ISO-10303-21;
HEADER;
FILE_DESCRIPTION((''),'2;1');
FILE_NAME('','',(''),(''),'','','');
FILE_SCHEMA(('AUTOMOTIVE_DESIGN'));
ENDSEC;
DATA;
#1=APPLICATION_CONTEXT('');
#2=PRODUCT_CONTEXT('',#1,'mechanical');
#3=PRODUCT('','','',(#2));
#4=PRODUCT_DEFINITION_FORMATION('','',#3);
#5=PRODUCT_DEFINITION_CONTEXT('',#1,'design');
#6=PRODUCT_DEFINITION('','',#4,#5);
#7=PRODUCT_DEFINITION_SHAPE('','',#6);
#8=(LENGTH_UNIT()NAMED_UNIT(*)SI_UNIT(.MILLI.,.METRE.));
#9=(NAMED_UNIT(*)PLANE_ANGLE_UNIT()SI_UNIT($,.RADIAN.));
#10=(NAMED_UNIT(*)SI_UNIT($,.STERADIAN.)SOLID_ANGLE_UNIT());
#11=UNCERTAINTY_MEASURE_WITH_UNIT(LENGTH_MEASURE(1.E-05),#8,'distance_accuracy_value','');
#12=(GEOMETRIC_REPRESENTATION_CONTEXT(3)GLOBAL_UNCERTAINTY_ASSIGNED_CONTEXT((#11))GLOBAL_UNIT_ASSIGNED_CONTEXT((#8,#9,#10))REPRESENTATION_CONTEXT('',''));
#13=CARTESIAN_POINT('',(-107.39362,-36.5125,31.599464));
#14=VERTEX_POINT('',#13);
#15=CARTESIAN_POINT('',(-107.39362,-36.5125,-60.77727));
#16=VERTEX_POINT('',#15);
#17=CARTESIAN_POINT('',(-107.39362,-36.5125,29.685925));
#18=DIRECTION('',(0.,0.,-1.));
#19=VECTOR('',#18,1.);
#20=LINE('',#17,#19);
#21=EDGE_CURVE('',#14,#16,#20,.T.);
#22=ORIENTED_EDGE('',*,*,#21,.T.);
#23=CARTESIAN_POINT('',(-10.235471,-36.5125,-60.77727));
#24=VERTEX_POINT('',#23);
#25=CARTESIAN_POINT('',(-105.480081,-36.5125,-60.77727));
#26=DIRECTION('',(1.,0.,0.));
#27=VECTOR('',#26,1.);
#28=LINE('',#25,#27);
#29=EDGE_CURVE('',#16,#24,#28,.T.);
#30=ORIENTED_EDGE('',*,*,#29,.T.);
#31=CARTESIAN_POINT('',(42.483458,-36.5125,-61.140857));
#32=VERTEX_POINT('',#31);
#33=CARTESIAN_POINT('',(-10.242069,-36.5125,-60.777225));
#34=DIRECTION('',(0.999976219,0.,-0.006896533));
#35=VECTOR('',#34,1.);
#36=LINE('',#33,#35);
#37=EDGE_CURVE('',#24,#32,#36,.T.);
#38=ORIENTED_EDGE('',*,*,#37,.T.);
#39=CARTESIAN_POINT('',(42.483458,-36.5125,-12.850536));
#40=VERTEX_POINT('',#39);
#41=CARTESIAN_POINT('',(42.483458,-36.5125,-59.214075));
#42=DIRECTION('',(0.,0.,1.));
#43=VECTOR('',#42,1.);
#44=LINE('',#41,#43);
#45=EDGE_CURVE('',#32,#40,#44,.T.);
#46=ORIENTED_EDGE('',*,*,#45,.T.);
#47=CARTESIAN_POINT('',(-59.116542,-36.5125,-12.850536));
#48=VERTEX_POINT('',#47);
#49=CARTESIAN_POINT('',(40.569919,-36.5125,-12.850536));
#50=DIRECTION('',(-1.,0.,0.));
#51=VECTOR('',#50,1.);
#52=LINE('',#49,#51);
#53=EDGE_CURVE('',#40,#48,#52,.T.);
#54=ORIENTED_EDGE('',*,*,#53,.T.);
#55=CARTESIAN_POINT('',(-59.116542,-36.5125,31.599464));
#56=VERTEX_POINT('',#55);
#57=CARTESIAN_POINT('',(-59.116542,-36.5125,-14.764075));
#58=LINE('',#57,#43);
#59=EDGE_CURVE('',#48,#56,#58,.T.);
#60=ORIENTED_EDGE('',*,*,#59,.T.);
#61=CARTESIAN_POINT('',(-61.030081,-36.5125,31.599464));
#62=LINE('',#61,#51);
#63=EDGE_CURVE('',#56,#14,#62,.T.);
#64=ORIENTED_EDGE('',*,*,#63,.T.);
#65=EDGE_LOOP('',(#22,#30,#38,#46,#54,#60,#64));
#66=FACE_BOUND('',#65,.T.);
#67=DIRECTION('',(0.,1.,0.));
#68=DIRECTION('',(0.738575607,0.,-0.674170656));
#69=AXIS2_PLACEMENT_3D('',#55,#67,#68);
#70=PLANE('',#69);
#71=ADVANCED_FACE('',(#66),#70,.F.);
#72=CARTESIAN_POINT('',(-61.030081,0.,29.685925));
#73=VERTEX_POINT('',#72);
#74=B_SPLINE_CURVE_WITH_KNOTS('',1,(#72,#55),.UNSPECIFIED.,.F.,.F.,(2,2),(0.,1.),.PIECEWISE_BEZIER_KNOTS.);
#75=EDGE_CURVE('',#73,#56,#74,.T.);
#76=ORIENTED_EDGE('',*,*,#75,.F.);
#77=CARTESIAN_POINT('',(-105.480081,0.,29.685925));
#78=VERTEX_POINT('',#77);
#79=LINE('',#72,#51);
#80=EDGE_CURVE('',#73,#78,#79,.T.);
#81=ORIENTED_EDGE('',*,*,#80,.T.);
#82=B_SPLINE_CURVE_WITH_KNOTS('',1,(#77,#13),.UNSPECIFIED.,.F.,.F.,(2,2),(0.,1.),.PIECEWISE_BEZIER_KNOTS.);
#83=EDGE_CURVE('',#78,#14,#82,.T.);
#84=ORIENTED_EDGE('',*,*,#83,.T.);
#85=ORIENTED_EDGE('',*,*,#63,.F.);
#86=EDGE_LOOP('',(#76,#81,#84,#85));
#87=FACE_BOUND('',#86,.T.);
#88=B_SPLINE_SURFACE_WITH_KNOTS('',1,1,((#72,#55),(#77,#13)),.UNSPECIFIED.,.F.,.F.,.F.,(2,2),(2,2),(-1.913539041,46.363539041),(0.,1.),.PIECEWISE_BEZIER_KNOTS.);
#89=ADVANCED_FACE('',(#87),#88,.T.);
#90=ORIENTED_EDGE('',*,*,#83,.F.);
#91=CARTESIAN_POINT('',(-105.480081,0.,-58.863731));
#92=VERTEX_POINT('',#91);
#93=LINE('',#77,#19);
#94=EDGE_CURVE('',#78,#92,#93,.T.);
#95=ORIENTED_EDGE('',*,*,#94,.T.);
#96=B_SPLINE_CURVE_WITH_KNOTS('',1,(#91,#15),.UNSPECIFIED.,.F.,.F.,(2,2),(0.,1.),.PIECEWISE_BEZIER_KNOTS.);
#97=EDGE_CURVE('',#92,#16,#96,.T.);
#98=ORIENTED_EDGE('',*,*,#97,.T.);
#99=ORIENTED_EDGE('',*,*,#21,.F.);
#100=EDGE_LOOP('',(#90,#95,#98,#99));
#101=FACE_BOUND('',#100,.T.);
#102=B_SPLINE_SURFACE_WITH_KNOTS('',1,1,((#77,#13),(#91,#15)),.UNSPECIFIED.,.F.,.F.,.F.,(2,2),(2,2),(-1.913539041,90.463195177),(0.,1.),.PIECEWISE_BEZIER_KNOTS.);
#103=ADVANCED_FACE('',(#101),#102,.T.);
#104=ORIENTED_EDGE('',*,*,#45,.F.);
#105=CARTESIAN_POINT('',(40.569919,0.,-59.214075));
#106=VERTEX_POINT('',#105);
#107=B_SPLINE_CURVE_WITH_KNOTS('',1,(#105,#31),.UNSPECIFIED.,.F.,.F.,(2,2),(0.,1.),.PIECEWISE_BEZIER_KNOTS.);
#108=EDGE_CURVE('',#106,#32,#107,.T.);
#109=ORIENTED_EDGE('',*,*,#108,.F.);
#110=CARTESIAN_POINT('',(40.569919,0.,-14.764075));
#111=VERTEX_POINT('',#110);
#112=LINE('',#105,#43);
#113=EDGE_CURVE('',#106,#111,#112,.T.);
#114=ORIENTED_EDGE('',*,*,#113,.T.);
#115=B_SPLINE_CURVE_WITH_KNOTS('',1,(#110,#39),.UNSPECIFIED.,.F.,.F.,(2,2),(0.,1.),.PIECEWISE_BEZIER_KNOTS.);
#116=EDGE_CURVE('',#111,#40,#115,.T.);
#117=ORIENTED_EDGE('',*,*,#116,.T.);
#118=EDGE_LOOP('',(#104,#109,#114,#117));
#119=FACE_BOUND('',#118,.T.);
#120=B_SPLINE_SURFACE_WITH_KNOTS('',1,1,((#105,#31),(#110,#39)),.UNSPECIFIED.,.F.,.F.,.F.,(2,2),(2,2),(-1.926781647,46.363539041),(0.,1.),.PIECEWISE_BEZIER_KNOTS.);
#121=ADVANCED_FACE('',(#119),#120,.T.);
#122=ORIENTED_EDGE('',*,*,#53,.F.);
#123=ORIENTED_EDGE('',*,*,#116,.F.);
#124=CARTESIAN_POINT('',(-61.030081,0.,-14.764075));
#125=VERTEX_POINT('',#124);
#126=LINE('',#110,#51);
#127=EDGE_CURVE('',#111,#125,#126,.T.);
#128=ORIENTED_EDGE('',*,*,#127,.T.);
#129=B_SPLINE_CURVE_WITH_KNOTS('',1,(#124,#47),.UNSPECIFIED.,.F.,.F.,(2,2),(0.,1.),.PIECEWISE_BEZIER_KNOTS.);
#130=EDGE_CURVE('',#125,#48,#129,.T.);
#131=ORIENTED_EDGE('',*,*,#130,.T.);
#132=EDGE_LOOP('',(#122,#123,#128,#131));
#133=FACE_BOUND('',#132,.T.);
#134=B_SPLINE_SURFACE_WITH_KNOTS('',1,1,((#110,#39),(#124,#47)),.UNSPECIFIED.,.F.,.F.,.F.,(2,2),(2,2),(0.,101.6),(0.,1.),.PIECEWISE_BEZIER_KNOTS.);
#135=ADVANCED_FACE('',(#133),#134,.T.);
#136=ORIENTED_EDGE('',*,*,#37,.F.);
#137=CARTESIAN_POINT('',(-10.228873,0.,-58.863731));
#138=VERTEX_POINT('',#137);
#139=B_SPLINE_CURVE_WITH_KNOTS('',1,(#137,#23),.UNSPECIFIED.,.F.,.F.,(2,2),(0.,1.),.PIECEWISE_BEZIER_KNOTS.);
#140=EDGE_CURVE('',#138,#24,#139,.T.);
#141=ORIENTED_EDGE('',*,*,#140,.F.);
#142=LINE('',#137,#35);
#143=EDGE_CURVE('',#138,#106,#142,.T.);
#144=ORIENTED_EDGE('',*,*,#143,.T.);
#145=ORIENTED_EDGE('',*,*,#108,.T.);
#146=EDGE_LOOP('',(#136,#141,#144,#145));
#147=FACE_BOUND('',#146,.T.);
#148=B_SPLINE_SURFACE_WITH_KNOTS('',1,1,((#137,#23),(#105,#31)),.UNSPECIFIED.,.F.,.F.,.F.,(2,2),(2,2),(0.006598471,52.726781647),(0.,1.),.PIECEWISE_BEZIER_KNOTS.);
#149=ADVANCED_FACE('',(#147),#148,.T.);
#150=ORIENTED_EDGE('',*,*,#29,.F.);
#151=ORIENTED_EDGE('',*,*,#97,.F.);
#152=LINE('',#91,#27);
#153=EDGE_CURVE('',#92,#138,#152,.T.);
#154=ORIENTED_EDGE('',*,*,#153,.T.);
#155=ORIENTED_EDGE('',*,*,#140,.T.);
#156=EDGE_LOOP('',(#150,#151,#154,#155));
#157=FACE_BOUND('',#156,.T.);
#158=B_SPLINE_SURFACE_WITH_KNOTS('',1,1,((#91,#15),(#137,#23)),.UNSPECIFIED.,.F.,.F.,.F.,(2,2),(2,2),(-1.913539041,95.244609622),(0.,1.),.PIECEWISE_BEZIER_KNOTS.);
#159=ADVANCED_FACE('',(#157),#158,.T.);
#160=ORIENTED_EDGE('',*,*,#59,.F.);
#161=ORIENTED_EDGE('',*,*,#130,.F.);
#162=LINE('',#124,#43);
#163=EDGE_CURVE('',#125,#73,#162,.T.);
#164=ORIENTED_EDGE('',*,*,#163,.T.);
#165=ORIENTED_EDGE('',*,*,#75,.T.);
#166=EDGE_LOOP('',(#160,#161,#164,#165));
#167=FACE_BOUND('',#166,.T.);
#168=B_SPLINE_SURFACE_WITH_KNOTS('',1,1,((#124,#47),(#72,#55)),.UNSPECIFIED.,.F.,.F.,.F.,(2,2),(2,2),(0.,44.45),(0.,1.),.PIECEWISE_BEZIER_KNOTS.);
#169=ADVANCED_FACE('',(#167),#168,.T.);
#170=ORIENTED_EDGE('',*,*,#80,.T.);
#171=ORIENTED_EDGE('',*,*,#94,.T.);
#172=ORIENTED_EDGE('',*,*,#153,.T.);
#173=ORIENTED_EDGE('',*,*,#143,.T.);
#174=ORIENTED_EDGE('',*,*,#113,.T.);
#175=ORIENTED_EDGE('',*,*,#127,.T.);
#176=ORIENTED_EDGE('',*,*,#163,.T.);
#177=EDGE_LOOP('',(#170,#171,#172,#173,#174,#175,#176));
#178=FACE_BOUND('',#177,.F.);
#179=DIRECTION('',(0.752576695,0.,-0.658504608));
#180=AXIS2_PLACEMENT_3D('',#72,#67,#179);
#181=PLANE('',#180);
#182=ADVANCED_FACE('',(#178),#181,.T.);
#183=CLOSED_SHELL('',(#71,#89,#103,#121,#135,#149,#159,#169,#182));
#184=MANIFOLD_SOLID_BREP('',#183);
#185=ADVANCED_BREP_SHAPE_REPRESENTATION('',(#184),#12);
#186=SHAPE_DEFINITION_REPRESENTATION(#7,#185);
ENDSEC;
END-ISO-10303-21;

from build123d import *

# Parameters (mm, degrees)
F1_DEPTH = 36.5125
F1_TAPER = -3


with BuildPart() as f1:
    # F0 (on Front) → F1 (new body)
    with BuildSketch(Plane.XZ):
        Polygon((-61.0300807763, 29.6859250018), (-105.4800807763, 29.6859250018), (-105.4800807763, -58.8637311338), (-10.228872683, -58.8637311338), (40.5699192237, -59.2140749982), (40.5699192237, -14.7640749982), (-61.0300807763, -14.7640749982), align=None)
    extrude(amount=F1_DEPTH, taper=F1_TAPER)


solid = f1.part
